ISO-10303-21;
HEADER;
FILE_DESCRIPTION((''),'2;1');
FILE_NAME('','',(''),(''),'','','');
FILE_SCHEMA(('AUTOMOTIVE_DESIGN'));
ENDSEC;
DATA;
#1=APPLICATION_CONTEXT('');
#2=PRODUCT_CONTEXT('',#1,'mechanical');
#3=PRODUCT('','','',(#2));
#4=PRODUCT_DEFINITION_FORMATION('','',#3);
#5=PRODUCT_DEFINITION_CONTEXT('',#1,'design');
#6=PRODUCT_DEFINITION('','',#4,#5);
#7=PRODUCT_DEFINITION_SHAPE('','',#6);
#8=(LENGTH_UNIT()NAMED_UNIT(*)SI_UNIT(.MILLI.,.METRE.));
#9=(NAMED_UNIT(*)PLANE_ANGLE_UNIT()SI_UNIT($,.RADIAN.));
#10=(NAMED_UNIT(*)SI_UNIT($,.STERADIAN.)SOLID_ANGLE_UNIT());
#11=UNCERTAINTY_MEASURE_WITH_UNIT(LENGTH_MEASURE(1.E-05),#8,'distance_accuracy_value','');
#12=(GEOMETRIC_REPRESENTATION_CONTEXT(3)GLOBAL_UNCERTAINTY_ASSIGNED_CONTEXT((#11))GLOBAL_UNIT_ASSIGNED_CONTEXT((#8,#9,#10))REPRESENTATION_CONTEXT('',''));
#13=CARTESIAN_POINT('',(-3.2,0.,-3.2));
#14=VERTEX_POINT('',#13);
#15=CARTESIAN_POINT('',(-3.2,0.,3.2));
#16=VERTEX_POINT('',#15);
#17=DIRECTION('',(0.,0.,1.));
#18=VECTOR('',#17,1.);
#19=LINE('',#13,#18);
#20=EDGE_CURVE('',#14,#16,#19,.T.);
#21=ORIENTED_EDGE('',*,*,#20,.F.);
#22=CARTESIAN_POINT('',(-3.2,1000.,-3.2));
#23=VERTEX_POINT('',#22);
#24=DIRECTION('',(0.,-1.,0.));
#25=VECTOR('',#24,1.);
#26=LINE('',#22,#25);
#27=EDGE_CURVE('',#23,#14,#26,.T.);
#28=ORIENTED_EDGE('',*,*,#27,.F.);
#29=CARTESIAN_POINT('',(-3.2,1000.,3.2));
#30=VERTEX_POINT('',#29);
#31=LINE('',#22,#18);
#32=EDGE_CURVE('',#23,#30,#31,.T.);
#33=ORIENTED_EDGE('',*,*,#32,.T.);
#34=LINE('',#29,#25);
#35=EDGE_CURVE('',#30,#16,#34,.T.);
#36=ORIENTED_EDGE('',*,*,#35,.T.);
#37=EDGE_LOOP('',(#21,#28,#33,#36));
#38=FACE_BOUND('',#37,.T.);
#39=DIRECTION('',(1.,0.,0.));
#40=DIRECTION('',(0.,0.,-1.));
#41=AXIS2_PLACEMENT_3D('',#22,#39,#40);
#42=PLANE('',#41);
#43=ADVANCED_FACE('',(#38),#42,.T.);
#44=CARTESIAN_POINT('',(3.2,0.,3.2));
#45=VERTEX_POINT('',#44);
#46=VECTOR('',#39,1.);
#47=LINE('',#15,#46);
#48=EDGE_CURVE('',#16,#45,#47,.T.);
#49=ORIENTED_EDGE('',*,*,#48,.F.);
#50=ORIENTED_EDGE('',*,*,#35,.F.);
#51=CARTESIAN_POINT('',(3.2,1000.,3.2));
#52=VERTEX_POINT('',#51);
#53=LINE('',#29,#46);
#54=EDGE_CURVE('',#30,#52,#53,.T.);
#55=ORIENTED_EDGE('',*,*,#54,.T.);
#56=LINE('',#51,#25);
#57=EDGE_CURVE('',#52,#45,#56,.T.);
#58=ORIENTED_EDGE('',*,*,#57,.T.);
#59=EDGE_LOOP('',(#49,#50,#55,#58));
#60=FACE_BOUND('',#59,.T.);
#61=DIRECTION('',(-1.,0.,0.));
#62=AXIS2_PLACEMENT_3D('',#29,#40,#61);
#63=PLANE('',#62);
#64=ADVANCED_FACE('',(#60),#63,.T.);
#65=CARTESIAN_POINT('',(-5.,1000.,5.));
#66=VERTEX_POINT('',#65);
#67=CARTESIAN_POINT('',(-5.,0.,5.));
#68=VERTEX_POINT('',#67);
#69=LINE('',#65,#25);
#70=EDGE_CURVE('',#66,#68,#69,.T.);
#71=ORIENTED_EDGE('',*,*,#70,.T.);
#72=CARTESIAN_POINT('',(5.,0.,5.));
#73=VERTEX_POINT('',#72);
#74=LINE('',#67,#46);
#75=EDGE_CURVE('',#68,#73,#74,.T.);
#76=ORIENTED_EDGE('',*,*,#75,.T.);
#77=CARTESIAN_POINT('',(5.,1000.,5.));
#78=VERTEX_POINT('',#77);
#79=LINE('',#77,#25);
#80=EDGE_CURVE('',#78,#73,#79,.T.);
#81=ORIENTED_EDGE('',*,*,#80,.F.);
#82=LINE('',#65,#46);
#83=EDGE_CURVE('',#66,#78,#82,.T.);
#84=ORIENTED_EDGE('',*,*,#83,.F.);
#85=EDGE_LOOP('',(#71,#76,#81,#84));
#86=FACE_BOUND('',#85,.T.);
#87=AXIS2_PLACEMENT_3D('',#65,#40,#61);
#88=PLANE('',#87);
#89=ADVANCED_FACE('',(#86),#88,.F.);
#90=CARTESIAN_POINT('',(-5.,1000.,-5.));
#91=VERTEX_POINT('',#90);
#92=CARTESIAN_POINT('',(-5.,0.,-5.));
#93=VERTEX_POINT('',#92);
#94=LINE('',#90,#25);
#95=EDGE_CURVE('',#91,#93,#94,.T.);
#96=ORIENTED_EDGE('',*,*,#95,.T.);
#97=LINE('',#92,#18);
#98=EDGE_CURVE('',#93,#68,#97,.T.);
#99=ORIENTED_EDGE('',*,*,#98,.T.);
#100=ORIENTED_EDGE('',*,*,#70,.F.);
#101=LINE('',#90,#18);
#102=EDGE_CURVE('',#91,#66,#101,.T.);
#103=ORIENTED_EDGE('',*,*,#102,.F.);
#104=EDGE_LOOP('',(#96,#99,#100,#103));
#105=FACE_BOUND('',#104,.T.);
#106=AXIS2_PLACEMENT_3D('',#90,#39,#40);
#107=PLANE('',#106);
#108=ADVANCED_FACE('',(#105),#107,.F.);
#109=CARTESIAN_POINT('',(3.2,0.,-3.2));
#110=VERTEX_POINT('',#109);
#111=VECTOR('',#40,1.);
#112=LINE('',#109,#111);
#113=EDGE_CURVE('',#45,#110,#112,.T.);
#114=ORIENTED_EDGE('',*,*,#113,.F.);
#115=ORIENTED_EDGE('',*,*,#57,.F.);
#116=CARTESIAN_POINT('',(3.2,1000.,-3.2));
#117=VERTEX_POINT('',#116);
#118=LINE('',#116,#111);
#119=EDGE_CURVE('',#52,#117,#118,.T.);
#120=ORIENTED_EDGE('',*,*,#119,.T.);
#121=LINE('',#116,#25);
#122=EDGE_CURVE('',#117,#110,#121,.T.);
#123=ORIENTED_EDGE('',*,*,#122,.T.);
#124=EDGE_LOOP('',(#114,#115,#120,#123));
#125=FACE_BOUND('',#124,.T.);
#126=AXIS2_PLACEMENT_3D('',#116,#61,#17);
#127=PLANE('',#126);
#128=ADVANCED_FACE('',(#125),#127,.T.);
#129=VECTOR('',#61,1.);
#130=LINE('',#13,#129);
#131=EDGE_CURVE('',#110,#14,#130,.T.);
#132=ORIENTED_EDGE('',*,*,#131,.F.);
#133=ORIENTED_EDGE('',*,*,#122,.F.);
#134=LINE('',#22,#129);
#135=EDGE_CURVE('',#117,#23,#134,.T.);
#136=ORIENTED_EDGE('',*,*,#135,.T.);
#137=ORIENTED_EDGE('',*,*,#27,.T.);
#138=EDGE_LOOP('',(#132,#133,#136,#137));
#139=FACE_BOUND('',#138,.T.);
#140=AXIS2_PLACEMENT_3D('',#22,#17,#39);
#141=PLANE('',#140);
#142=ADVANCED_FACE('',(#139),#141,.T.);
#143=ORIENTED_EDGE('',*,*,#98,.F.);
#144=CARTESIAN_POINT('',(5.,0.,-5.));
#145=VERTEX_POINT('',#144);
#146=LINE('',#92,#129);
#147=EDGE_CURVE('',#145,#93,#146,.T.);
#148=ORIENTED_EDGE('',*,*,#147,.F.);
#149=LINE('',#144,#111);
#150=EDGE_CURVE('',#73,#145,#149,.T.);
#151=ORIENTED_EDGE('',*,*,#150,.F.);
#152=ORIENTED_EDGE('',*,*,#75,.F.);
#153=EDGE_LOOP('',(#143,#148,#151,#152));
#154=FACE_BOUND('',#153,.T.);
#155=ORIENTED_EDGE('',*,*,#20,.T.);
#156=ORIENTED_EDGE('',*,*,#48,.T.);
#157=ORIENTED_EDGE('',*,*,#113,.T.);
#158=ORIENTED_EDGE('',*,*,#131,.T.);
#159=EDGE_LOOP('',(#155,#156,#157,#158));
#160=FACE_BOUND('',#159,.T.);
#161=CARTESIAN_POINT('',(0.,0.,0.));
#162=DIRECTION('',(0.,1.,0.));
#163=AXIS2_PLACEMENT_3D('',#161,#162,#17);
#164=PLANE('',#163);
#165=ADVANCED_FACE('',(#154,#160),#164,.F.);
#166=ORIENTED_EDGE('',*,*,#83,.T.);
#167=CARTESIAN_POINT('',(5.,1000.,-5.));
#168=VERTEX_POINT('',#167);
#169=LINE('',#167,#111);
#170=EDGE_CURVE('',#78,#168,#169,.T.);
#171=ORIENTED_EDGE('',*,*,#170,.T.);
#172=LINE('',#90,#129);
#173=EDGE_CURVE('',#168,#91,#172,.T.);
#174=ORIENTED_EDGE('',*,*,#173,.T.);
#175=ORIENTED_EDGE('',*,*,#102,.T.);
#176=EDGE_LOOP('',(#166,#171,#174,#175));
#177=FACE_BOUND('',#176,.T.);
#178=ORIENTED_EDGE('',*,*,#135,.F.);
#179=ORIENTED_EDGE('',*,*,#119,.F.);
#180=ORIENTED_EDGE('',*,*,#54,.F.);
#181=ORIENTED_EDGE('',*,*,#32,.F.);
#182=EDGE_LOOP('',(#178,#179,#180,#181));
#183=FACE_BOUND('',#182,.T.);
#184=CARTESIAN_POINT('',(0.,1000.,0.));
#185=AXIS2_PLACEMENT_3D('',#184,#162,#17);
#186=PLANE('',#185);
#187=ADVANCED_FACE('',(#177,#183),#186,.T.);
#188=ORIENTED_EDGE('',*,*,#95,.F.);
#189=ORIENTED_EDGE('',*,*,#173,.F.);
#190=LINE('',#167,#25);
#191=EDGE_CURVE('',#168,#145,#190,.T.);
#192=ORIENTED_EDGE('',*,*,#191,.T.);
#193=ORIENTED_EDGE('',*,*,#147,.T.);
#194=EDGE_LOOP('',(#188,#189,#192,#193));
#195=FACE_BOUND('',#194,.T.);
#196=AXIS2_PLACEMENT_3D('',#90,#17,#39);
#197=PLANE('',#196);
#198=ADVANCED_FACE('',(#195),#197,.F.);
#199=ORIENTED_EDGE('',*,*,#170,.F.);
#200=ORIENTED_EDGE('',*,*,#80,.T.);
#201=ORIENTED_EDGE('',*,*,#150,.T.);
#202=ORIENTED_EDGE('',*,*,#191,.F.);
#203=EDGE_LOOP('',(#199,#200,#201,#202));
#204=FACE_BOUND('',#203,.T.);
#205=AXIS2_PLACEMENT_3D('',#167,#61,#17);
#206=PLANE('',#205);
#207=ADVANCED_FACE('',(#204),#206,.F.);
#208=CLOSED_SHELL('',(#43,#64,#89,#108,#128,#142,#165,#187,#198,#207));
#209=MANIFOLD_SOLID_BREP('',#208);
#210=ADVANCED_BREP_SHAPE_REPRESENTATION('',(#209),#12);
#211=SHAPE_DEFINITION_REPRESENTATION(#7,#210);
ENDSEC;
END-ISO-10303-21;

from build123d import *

# Parameters (mm, degrees)
SKETCH_1_W      = 10
SKETCH_1_H      = 10
SKETCH_1_W_2    = 6.4
SKETCH_1_H_2    = 6.4
EXTRUDE_1_DEPTH = 1000


with BuildPart() as part:
    # 草图1 → 凸台-拉伸1 (new body)
    with BuildSketch(Plane(origin=(0, 0, 0), x_dir=(1, 0, 0), z_dir=(0, 1, 0))):
        Rectangle(SKETCH_1_W, SKETCH_1_H)
        Rectangle(SKETCH_1_W_2, SKETCH_1_H_2, mode=Mode.SUBTRACT)
    extrude(amount=EXTRUDE_1_DEPTH)


solid = part.part
